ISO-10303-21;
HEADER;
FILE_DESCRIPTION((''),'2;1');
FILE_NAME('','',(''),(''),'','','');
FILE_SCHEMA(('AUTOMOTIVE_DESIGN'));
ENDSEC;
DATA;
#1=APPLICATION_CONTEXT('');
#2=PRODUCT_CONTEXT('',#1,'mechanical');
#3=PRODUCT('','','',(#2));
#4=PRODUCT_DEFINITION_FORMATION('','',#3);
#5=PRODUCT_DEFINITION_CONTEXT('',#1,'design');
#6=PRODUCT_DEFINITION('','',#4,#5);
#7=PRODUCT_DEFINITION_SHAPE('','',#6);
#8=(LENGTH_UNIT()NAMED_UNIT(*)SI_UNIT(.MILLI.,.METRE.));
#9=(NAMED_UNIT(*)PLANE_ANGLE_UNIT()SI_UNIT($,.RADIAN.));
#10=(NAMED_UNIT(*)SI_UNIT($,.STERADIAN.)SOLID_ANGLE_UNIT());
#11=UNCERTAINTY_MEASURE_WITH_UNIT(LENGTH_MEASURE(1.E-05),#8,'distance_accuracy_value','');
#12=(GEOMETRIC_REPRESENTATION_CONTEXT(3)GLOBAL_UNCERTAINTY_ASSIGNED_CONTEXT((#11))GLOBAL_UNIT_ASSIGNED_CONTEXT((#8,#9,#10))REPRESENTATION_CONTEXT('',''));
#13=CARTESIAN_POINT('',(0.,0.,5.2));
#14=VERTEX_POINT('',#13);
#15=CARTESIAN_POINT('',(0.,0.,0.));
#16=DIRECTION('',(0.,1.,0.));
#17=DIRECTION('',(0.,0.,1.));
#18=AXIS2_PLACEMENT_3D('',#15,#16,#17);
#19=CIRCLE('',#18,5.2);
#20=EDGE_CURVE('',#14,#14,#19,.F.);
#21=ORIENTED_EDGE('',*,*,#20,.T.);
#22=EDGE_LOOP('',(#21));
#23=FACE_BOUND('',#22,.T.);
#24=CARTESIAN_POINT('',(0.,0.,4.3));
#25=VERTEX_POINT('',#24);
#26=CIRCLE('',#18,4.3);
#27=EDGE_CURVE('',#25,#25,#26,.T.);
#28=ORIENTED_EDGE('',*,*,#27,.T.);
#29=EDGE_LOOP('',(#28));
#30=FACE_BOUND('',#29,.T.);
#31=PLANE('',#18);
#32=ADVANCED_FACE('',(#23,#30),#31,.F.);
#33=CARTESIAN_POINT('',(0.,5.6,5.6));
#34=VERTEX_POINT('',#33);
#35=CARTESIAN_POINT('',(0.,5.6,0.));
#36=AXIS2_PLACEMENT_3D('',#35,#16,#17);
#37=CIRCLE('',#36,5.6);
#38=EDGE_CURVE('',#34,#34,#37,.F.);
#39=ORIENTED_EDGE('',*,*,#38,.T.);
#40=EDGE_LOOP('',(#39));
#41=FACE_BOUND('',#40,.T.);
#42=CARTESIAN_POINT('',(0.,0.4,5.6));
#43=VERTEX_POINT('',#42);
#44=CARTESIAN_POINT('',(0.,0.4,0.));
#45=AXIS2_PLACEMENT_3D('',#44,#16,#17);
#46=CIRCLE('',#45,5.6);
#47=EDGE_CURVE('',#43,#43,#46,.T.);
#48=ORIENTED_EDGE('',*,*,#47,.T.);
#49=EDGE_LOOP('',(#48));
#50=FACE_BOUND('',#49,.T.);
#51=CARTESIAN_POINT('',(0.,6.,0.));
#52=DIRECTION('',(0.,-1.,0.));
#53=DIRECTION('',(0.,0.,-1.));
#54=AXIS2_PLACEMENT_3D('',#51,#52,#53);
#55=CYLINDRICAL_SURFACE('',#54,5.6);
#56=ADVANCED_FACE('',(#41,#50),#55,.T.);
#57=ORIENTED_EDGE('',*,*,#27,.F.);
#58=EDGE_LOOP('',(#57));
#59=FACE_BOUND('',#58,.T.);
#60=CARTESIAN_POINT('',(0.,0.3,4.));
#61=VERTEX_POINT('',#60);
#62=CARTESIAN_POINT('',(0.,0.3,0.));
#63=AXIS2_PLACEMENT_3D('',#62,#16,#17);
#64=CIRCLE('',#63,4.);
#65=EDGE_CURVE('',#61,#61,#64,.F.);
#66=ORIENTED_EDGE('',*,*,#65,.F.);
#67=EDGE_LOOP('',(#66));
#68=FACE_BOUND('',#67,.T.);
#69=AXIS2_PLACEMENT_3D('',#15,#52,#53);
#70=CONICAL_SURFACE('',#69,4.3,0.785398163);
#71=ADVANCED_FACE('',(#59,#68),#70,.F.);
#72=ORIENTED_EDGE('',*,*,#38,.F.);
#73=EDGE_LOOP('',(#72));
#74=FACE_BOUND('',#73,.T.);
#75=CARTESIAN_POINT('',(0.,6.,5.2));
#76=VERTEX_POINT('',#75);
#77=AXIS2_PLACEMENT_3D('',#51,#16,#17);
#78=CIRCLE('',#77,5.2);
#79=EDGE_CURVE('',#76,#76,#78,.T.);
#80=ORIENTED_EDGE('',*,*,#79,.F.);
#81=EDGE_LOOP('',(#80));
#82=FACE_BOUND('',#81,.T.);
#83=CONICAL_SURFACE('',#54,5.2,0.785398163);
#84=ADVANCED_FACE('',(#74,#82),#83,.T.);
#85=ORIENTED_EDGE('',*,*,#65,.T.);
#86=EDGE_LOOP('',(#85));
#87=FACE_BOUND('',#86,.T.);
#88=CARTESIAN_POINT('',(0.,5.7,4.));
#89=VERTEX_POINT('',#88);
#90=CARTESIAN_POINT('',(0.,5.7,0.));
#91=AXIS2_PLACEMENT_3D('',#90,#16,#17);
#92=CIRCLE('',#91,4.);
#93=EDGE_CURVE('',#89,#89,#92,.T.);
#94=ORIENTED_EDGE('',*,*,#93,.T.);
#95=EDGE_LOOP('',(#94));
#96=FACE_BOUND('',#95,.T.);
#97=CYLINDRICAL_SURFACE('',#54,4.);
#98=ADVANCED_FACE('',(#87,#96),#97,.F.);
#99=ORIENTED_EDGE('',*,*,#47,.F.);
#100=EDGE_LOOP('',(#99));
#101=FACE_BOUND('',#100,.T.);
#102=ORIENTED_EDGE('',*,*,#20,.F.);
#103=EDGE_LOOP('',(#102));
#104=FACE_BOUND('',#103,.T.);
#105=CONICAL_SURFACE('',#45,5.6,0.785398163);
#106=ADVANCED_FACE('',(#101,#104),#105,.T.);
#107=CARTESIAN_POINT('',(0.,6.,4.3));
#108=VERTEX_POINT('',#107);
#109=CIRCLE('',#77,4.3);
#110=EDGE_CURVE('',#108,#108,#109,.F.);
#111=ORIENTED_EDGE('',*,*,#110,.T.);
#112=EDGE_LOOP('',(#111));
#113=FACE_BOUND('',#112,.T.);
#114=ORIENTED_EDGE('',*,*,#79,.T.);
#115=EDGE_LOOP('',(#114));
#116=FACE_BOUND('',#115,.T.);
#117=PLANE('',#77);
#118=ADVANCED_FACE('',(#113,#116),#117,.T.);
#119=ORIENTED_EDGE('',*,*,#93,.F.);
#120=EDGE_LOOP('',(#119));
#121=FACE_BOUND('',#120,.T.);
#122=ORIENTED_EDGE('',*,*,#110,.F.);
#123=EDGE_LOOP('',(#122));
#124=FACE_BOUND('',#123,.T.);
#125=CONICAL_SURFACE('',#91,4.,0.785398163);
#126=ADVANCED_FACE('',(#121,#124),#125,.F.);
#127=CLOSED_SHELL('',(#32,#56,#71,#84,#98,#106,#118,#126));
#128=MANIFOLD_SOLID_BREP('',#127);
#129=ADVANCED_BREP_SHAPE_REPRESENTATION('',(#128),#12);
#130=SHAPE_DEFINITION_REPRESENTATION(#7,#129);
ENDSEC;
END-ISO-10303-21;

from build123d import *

# Parameters (mm, degrees)
SKETCH_1_R      = 5.6
SKETCH_1_R_2    = 4
EXTRUDE_1_DEPTH = 6
CHAMFER_1_SIZE  = 0.3
CHAMFER_2_SIZE  = 0.4


with BuildPart() as part:
    # Эскиз1 → Бобышка-Вытянуть1 (new body)
    with BuildSketch(Plane(origin=(0, 0, 0), x_dir=(1, 0, 0), z_dir=(0, 1, 0))):
        with Locations(Location((0, 0, 0), (0, 0, 270))):
            Circle(SKETCH_1_R)
        with Locations(Location((0, 0, 0), (0, 0, 270))):
            Circle(SKETCH_1_R_2, mode=Mode.SUBTRACT)
    extrude(amount=EXTRUDE_1_DEPTH)

    # Фаска1
    chamfer_1_edges = [part.edges().sort_by_distance(p)[0] for p in [
        (0, 0, -4),
        (0, 6, -4),
    ]]
    chamfer(chamfer_1_edges, length=CHAMFER_1_SIZE)

    # Фаска2
    chamfer_2_edges = [part.edges().sort_by_distance(p)[0] for p in [
        (0, 0, -5.6),
        (0, 6, -5.6),
    ]]
    chamfer(chamfer_2_edges, length=CHAMFER_2_SIZE)


solid = part.part
